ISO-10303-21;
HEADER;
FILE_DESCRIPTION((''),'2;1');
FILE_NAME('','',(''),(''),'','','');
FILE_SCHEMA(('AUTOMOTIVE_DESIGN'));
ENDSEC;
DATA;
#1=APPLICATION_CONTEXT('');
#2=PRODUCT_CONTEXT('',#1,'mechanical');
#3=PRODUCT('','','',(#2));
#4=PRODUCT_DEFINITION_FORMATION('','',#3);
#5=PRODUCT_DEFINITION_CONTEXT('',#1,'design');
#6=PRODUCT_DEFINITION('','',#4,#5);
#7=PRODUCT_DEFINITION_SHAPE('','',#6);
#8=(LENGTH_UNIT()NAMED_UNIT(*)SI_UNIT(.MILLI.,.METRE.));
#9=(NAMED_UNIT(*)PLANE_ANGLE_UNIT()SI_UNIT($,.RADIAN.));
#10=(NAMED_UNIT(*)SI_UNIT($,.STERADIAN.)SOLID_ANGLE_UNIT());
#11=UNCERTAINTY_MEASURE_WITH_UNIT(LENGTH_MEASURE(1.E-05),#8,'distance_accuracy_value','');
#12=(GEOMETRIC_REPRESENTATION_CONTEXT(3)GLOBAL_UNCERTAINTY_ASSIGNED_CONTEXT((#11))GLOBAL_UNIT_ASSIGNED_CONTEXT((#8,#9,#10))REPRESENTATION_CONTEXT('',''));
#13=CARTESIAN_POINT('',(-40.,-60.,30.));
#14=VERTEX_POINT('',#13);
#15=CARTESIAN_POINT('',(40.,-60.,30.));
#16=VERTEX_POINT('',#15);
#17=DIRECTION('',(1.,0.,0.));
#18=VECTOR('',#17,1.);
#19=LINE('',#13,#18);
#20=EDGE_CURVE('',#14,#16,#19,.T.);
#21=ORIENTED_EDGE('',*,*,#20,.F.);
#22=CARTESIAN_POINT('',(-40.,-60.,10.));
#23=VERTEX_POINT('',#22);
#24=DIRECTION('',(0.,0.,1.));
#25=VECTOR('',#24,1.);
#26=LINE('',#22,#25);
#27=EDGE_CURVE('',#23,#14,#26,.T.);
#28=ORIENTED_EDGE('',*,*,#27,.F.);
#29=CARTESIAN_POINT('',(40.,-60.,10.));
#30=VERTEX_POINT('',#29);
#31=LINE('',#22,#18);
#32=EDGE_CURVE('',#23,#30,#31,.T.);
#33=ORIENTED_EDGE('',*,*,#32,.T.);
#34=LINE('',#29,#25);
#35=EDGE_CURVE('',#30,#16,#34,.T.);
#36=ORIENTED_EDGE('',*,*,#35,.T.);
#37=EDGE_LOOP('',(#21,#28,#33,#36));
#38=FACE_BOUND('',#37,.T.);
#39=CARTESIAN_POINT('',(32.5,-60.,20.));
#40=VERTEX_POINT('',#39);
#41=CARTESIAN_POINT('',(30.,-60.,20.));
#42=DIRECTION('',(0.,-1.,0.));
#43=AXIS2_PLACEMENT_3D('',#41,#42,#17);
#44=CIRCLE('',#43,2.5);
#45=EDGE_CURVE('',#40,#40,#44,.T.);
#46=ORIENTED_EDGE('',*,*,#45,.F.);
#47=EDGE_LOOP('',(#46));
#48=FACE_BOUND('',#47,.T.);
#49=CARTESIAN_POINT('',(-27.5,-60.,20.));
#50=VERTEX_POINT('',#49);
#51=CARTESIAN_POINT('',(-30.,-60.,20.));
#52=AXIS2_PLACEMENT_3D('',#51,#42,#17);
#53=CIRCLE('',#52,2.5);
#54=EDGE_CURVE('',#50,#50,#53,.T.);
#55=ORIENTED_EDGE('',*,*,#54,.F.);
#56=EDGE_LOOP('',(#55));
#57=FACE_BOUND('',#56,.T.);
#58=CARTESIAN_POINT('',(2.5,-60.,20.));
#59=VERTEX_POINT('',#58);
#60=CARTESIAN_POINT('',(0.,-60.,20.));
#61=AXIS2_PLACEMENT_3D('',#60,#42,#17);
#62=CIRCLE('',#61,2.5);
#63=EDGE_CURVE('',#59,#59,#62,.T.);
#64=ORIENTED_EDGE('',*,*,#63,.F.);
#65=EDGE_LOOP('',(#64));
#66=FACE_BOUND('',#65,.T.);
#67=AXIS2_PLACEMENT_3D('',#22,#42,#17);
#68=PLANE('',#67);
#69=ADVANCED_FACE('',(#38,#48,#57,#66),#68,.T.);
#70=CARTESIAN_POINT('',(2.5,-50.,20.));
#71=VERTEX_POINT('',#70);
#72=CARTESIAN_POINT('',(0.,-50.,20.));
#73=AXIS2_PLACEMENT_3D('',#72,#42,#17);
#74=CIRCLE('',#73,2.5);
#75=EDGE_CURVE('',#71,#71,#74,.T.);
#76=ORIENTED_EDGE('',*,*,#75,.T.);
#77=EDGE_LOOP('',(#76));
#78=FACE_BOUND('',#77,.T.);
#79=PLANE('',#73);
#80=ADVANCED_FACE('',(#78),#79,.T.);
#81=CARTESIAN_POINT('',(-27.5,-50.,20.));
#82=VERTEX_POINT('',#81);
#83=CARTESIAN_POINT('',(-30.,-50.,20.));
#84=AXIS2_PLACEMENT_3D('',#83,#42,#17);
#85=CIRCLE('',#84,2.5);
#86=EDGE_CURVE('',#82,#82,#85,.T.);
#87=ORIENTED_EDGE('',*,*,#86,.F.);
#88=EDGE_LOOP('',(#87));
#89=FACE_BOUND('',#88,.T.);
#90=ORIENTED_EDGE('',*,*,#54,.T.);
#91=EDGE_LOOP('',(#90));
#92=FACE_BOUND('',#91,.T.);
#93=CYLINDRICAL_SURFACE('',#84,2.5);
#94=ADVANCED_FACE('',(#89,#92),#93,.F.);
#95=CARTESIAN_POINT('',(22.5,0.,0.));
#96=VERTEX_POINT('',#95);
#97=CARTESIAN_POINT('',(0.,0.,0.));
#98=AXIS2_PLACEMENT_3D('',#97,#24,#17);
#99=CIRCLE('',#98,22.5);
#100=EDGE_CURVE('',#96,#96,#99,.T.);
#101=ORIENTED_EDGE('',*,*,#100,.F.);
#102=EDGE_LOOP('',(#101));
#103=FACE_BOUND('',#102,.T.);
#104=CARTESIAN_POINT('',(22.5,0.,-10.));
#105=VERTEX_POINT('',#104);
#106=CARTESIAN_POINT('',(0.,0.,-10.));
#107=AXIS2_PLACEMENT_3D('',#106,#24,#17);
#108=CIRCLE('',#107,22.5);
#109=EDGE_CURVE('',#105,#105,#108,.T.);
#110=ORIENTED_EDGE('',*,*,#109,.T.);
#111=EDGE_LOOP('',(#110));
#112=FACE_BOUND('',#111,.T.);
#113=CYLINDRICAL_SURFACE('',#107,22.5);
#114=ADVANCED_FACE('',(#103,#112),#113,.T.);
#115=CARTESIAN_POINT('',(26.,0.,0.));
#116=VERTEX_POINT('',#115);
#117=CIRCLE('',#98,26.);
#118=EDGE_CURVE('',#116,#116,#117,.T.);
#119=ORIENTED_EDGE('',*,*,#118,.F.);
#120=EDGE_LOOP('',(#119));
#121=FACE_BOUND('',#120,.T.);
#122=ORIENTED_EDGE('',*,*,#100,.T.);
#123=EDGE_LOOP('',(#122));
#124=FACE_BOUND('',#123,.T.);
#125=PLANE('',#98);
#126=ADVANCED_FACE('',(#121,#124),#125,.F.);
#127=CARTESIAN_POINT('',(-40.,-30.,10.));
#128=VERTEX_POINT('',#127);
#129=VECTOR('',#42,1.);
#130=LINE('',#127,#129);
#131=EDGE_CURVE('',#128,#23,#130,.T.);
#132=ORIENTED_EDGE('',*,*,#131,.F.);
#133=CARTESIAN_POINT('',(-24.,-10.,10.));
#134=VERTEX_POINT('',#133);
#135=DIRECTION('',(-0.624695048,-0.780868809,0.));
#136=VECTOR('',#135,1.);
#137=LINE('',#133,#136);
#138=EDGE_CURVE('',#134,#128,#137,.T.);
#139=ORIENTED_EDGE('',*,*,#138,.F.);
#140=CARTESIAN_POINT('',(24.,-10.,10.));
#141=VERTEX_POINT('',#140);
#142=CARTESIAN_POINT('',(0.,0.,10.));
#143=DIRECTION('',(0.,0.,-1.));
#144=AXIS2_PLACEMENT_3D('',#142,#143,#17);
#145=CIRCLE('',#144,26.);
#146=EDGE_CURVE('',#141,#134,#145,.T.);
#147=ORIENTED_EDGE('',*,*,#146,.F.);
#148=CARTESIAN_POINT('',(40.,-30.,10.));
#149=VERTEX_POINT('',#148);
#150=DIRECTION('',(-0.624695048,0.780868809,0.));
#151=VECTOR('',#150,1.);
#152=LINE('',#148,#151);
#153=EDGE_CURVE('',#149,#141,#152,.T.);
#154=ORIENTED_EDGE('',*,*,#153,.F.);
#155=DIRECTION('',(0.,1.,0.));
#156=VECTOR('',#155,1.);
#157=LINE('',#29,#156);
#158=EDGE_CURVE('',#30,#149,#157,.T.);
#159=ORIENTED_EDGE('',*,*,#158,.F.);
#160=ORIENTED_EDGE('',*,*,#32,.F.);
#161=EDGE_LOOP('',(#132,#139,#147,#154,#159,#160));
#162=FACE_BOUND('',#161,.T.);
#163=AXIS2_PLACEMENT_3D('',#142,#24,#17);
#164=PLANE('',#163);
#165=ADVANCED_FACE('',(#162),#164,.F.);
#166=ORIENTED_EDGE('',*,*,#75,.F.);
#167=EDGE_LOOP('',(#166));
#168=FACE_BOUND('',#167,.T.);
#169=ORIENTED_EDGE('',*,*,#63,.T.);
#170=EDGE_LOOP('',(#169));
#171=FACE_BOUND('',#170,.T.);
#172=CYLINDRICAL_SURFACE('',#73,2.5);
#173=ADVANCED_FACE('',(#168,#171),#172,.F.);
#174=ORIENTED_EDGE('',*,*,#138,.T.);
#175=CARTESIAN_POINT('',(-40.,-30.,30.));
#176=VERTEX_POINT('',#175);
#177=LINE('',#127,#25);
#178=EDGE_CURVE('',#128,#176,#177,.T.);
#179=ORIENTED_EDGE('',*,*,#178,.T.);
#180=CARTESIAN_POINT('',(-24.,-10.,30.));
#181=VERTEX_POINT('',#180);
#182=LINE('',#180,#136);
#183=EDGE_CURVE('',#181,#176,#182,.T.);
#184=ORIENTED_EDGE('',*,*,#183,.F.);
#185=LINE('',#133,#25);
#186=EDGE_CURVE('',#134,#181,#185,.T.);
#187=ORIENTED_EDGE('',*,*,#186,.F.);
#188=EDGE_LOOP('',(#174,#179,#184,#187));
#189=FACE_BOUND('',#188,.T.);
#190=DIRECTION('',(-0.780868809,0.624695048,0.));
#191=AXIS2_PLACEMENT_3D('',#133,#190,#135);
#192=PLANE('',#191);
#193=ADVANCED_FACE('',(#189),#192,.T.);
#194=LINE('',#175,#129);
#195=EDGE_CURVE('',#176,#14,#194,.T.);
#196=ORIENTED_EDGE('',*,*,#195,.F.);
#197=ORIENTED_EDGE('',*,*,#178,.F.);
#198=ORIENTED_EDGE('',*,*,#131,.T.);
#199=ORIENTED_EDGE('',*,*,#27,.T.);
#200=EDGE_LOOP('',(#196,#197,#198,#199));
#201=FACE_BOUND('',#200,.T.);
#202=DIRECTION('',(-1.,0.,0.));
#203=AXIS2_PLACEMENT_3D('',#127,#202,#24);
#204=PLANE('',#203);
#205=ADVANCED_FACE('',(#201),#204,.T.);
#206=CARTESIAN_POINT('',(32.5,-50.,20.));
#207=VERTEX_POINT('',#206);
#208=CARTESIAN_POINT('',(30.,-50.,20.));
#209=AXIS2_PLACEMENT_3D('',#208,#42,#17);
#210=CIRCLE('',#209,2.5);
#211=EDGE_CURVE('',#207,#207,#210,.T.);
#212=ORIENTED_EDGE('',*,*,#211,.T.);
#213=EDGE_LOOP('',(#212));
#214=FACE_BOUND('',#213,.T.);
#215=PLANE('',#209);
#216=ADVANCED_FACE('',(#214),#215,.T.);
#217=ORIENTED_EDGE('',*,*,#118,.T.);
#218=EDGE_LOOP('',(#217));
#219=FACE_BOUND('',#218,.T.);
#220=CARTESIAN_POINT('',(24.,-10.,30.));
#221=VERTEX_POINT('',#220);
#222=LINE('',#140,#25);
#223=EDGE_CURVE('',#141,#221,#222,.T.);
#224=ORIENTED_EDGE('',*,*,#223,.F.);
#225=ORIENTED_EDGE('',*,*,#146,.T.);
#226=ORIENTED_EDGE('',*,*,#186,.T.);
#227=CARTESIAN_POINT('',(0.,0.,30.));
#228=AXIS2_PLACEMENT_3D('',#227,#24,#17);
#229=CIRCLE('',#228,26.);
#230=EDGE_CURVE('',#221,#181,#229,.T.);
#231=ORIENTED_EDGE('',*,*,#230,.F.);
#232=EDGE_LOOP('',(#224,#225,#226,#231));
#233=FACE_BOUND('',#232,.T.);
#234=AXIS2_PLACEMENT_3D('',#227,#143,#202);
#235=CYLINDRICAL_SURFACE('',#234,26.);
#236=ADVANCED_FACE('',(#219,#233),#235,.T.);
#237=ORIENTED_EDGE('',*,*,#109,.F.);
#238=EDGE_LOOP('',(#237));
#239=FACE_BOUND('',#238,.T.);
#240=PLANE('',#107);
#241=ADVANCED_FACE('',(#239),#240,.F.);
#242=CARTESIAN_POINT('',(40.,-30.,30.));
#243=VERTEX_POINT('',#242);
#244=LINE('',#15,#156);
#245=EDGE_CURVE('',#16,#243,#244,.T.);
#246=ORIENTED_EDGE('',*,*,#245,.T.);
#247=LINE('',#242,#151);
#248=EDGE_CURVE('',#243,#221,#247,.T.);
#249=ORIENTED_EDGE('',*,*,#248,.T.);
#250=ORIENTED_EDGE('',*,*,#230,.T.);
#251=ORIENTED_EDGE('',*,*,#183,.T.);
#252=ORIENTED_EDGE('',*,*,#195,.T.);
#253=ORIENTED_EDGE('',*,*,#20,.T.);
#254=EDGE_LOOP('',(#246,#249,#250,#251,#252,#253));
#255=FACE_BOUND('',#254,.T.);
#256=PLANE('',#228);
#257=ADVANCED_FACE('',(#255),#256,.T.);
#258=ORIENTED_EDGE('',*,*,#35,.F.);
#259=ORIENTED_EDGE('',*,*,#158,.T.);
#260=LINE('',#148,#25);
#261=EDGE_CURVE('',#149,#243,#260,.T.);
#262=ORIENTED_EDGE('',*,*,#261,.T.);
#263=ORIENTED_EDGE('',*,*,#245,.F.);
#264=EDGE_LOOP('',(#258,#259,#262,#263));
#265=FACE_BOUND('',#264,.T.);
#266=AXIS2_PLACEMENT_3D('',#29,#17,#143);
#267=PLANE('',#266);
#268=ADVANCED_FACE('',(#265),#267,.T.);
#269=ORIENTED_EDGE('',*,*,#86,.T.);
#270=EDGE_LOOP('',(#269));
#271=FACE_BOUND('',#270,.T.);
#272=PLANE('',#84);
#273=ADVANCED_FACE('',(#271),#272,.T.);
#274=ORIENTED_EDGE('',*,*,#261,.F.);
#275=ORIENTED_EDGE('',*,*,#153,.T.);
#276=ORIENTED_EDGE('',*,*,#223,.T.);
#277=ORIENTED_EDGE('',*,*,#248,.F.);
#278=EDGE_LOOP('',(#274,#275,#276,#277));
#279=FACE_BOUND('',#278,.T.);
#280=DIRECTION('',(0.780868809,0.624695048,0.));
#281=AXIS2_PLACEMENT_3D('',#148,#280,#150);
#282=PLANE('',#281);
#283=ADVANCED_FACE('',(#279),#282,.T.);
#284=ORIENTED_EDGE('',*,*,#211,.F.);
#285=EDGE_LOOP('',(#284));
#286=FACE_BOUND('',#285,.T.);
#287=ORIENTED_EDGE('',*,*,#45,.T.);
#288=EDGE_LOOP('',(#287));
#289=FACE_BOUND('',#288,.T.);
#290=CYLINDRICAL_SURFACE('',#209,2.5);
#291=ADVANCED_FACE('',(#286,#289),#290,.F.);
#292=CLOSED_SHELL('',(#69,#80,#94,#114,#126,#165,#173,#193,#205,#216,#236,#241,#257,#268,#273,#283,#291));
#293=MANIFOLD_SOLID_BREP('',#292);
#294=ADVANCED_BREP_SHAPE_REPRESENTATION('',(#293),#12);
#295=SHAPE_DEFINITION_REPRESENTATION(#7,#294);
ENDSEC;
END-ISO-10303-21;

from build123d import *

# Parameters (mm, degrees)
CROQUIS1_R              = 22.5
SALIENTE_EXTRUIR1_DEPTH = 10
CROQUIS2_R              = 26
SALIENTE_EXTRUIR2_DEPTH = 30
SALIENTE_EXTRUIR4_START = -20
SALIENTE_EXTRUIR4_DEPTH = 20
CROQUIS5_R              = 2.5
CORTAR_EXTRUIR1_DEPTH   = 10


with BuildPart() as part:
    # Croquis1 → Saliente-Extruir1 (new body)
    with BuildSketch(Plane.XY):
        Circle(CROQUIS1_R)
    extrude(amount=-SALIENTE_EXTRUIR1_DEPTH)

    # Croquis2 → Saliente-Extruir2 (add)
    with BuildSketch(Plane.XY):
        Circle(CROQUIS2_R)
    extrude(amount=SALIENTE_EXTRUIR2_DEPTH)

    # Croquis3 → Saliente-Extruir4 (add)
    with BuildSketch(Plane.XY.offset(30).offset(SALIENTE_EXTRUIR4_START)):
        with BuildLine():
            Line((-24, -10), (-40, -30))
            Line((-40, -30), (-40, -60))
            Line((-40, -60), (40, -60))
            Line((40, -60), (40, -30))
            Line((40, -30), (24, -10))
            ThreePointArc((24, -10), (0, -26), (-24, -10))
        make_face()
    extrude(amount=SALIENTE_EXTRUIR4_DEPTH)

    # Croquis5 → Cortar-Extruir1 (cut)
    with BuildSketch(Plane.XZ.offset(60)):
        with Locations((-30, 20)):
            Circle(CROQUIS5_R)
        with Locations((30, 20)):
            Circle(CROQUIS5_R)
        with Locations((0, 20)):
            Circle(CROQUIS5_R)
    extrude(amount=-CORTAR_EXTRUIR1_DEPTH, mode=Mode.SUBTRACT)


solid = part.part
